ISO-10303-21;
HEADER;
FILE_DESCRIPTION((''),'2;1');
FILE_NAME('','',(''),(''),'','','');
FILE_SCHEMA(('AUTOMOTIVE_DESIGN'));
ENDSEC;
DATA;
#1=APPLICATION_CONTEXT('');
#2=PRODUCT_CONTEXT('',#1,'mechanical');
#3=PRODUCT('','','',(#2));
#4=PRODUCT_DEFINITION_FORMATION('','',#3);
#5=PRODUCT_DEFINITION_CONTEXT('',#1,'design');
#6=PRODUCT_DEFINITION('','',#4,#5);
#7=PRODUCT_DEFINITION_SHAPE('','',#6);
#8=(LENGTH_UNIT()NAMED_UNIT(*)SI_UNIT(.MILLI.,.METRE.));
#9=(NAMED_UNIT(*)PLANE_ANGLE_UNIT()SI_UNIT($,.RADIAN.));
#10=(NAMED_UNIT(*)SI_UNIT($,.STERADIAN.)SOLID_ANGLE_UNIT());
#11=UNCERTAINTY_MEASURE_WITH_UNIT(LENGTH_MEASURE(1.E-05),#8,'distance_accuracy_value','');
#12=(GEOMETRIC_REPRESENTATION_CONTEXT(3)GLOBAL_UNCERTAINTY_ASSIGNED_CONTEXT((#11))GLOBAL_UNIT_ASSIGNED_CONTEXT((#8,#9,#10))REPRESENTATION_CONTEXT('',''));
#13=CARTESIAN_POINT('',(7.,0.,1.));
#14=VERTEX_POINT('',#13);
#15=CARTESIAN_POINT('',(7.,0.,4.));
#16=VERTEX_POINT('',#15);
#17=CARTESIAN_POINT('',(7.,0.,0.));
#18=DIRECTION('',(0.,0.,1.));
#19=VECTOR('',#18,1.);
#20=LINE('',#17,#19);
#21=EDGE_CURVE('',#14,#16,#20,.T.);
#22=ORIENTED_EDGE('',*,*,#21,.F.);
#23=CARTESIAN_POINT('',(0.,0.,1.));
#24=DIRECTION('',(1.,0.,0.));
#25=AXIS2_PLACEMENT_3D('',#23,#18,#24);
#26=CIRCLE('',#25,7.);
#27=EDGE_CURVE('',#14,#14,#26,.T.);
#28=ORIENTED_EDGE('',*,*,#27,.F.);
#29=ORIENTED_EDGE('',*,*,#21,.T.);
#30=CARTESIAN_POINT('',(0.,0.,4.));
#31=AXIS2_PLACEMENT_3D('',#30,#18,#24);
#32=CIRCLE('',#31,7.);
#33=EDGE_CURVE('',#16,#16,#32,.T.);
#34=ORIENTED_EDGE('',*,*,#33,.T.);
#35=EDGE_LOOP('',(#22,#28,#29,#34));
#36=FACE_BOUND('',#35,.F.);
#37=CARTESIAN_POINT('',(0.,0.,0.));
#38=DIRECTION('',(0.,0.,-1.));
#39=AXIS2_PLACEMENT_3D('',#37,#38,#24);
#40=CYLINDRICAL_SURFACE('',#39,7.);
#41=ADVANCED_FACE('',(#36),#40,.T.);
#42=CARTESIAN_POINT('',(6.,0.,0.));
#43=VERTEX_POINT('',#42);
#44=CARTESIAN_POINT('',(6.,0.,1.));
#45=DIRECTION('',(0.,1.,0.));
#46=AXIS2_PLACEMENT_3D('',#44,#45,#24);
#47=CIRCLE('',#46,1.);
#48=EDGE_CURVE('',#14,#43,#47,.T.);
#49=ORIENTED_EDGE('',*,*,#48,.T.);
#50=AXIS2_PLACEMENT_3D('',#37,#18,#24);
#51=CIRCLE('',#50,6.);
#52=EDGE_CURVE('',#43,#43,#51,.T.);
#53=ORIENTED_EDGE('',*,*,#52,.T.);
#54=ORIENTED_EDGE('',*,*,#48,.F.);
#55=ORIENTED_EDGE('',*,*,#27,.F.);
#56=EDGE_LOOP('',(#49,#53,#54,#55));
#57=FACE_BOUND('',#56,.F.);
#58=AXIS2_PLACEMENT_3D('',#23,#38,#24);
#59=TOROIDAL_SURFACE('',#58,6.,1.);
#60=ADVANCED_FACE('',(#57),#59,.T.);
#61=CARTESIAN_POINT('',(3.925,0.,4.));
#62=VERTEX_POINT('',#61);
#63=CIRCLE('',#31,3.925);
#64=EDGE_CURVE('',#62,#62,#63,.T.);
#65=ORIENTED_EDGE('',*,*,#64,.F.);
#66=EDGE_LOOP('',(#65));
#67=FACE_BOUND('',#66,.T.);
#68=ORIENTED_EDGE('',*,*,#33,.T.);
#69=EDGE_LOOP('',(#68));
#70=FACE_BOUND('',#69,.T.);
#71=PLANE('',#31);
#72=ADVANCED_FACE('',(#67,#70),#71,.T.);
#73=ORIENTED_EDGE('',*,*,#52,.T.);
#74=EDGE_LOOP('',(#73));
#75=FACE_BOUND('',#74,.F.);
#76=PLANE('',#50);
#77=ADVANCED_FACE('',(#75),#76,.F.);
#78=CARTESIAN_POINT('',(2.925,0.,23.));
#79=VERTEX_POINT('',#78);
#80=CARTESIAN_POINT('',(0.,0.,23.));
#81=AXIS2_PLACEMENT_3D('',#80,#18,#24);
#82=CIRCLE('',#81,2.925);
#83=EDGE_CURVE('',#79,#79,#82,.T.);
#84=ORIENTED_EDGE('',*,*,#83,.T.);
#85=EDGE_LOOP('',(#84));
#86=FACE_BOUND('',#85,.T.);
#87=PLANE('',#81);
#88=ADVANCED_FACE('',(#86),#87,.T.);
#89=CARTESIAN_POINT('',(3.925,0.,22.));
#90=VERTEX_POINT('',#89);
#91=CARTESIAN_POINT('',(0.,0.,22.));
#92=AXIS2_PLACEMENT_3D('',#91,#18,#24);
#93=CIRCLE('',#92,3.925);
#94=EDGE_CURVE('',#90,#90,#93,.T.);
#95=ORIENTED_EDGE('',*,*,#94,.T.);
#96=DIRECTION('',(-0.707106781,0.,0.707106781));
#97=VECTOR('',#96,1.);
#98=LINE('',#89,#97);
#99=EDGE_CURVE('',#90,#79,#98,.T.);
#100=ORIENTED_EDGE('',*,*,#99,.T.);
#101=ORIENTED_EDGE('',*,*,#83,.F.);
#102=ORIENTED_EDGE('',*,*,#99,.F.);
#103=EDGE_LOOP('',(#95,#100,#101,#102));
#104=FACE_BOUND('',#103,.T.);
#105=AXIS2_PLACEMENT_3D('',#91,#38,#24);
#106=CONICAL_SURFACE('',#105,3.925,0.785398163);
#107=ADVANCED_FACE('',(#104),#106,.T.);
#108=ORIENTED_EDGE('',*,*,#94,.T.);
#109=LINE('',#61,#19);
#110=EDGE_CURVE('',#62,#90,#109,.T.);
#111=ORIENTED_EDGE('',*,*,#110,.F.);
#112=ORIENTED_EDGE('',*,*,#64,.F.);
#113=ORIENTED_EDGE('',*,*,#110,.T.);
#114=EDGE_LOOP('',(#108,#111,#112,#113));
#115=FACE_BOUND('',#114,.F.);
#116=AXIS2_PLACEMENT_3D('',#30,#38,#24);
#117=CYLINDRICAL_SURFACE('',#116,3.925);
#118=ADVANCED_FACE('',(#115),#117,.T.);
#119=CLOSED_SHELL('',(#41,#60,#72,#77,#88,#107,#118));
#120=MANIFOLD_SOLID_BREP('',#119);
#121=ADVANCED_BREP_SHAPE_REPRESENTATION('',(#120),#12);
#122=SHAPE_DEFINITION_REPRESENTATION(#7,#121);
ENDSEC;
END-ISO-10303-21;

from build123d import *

# Parameters (mm, degrees)
SKETCH_R     = 7
PAD_DEPTH    = 4
SKETCH001_R  = 3.925
PAD001_DEPTH = 19
CHAMFER_SIZE = 1
FILLET_R     = 1


with BuildPart() as part:
    # Sketch → Pad (new body)
    with BuildSketch(Plane.XY):
        Circle(SKETCH_R)
    extrude(amount=PAD_DEPTH)

    # Sketch001 (on Face3 of Pad) → Pad001 (join)
    with BuildSketch(Plane.XY.offset(4)):
        Circle(SKETCH001_R)
    extrude(amount=PAD001_DEPTH)

    # Chamfer
    chamfer_edges = [part.edges().sort_by_distance(p)[0] for p in [
        (-3.925, 0, 23),
    ]]
    chamfer(chamfer_edges, length=CHAMFER_SIZE)

    # Fillet
    fillet_edges = [part.edges().sort_by_distance(p)[0] for p in [
        (-7, 0, 0),
    ]]
    fillet(fillet_edges, radius=FILLET_R)


solid = part.part
